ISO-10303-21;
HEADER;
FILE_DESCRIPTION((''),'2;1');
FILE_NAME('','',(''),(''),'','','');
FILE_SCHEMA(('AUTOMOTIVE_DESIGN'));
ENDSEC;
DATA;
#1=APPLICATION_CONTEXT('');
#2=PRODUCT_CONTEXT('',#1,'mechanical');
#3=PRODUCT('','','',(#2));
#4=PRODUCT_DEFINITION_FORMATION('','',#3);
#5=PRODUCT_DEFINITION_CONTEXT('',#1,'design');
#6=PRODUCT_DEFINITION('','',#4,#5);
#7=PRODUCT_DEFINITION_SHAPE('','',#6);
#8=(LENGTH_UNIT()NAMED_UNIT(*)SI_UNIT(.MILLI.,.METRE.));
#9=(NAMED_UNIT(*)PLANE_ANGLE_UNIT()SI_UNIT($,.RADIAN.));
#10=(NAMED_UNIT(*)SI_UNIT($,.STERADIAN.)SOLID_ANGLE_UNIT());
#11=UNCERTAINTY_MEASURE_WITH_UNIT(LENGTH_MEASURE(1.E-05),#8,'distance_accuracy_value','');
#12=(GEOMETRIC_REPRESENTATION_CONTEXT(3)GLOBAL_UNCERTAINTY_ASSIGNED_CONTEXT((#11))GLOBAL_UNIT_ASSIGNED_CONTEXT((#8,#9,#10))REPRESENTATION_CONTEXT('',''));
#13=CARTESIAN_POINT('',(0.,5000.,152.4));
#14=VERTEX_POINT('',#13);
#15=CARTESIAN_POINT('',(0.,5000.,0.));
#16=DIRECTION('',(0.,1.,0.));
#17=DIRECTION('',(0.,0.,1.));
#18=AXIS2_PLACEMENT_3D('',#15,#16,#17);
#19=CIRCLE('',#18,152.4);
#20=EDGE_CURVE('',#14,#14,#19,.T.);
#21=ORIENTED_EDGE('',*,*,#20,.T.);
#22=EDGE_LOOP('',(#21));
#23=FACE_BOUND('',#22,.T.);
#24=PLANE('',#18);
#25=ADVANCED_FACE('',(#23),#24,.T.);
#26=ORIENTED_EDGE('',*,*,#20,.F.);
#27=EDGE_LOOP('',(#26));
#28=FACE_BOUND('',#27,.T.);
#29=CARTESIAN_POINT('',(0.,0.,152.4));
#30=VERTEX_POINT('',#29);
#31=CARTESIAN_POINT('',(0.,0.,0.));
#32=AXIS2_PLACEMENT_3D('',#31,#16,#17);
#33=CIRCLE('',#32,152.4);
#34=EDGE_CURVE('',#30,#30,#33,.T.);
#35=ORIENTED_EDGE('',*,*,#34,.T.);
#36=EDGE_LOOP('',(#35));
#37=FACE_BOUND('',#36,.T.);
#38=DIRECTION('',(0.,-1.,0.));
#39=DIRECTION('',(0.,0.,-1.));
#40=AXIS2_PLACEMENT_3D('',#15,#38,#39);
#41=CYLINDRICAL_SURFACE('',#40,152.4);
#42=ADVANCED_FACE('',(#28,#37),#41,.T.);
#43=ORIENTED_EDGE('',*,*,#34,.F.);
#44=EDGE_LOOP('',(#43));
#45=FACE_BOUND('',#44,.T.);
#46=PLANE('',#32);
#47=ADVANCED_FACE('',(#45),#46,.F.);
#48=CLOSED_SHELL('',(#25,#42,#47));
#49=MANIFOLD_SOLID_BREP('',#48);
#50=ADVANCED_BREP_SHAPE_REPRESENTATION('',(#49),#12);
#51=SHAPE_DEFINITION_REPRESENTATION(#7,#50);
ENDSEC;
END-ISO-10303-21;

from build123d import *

# Parameters (mm, degrees)
SKETCH1_R           = 152.4
BOSS_EXTRUDE1_DEPTH = 5000


with BuildPart() as part:
    # Sketch1 → Boss-Extrude1 (new body)
    with BuildSketch(Plane(origin=(0, 0, 0), x_dir=(1, 0, 0), z_dir=(0, 1, 0))):
        Circle(SKETCH1_R)
    extrude(amount=BOSS_EXTRUDE1_DEPTH)


solid = part.part
